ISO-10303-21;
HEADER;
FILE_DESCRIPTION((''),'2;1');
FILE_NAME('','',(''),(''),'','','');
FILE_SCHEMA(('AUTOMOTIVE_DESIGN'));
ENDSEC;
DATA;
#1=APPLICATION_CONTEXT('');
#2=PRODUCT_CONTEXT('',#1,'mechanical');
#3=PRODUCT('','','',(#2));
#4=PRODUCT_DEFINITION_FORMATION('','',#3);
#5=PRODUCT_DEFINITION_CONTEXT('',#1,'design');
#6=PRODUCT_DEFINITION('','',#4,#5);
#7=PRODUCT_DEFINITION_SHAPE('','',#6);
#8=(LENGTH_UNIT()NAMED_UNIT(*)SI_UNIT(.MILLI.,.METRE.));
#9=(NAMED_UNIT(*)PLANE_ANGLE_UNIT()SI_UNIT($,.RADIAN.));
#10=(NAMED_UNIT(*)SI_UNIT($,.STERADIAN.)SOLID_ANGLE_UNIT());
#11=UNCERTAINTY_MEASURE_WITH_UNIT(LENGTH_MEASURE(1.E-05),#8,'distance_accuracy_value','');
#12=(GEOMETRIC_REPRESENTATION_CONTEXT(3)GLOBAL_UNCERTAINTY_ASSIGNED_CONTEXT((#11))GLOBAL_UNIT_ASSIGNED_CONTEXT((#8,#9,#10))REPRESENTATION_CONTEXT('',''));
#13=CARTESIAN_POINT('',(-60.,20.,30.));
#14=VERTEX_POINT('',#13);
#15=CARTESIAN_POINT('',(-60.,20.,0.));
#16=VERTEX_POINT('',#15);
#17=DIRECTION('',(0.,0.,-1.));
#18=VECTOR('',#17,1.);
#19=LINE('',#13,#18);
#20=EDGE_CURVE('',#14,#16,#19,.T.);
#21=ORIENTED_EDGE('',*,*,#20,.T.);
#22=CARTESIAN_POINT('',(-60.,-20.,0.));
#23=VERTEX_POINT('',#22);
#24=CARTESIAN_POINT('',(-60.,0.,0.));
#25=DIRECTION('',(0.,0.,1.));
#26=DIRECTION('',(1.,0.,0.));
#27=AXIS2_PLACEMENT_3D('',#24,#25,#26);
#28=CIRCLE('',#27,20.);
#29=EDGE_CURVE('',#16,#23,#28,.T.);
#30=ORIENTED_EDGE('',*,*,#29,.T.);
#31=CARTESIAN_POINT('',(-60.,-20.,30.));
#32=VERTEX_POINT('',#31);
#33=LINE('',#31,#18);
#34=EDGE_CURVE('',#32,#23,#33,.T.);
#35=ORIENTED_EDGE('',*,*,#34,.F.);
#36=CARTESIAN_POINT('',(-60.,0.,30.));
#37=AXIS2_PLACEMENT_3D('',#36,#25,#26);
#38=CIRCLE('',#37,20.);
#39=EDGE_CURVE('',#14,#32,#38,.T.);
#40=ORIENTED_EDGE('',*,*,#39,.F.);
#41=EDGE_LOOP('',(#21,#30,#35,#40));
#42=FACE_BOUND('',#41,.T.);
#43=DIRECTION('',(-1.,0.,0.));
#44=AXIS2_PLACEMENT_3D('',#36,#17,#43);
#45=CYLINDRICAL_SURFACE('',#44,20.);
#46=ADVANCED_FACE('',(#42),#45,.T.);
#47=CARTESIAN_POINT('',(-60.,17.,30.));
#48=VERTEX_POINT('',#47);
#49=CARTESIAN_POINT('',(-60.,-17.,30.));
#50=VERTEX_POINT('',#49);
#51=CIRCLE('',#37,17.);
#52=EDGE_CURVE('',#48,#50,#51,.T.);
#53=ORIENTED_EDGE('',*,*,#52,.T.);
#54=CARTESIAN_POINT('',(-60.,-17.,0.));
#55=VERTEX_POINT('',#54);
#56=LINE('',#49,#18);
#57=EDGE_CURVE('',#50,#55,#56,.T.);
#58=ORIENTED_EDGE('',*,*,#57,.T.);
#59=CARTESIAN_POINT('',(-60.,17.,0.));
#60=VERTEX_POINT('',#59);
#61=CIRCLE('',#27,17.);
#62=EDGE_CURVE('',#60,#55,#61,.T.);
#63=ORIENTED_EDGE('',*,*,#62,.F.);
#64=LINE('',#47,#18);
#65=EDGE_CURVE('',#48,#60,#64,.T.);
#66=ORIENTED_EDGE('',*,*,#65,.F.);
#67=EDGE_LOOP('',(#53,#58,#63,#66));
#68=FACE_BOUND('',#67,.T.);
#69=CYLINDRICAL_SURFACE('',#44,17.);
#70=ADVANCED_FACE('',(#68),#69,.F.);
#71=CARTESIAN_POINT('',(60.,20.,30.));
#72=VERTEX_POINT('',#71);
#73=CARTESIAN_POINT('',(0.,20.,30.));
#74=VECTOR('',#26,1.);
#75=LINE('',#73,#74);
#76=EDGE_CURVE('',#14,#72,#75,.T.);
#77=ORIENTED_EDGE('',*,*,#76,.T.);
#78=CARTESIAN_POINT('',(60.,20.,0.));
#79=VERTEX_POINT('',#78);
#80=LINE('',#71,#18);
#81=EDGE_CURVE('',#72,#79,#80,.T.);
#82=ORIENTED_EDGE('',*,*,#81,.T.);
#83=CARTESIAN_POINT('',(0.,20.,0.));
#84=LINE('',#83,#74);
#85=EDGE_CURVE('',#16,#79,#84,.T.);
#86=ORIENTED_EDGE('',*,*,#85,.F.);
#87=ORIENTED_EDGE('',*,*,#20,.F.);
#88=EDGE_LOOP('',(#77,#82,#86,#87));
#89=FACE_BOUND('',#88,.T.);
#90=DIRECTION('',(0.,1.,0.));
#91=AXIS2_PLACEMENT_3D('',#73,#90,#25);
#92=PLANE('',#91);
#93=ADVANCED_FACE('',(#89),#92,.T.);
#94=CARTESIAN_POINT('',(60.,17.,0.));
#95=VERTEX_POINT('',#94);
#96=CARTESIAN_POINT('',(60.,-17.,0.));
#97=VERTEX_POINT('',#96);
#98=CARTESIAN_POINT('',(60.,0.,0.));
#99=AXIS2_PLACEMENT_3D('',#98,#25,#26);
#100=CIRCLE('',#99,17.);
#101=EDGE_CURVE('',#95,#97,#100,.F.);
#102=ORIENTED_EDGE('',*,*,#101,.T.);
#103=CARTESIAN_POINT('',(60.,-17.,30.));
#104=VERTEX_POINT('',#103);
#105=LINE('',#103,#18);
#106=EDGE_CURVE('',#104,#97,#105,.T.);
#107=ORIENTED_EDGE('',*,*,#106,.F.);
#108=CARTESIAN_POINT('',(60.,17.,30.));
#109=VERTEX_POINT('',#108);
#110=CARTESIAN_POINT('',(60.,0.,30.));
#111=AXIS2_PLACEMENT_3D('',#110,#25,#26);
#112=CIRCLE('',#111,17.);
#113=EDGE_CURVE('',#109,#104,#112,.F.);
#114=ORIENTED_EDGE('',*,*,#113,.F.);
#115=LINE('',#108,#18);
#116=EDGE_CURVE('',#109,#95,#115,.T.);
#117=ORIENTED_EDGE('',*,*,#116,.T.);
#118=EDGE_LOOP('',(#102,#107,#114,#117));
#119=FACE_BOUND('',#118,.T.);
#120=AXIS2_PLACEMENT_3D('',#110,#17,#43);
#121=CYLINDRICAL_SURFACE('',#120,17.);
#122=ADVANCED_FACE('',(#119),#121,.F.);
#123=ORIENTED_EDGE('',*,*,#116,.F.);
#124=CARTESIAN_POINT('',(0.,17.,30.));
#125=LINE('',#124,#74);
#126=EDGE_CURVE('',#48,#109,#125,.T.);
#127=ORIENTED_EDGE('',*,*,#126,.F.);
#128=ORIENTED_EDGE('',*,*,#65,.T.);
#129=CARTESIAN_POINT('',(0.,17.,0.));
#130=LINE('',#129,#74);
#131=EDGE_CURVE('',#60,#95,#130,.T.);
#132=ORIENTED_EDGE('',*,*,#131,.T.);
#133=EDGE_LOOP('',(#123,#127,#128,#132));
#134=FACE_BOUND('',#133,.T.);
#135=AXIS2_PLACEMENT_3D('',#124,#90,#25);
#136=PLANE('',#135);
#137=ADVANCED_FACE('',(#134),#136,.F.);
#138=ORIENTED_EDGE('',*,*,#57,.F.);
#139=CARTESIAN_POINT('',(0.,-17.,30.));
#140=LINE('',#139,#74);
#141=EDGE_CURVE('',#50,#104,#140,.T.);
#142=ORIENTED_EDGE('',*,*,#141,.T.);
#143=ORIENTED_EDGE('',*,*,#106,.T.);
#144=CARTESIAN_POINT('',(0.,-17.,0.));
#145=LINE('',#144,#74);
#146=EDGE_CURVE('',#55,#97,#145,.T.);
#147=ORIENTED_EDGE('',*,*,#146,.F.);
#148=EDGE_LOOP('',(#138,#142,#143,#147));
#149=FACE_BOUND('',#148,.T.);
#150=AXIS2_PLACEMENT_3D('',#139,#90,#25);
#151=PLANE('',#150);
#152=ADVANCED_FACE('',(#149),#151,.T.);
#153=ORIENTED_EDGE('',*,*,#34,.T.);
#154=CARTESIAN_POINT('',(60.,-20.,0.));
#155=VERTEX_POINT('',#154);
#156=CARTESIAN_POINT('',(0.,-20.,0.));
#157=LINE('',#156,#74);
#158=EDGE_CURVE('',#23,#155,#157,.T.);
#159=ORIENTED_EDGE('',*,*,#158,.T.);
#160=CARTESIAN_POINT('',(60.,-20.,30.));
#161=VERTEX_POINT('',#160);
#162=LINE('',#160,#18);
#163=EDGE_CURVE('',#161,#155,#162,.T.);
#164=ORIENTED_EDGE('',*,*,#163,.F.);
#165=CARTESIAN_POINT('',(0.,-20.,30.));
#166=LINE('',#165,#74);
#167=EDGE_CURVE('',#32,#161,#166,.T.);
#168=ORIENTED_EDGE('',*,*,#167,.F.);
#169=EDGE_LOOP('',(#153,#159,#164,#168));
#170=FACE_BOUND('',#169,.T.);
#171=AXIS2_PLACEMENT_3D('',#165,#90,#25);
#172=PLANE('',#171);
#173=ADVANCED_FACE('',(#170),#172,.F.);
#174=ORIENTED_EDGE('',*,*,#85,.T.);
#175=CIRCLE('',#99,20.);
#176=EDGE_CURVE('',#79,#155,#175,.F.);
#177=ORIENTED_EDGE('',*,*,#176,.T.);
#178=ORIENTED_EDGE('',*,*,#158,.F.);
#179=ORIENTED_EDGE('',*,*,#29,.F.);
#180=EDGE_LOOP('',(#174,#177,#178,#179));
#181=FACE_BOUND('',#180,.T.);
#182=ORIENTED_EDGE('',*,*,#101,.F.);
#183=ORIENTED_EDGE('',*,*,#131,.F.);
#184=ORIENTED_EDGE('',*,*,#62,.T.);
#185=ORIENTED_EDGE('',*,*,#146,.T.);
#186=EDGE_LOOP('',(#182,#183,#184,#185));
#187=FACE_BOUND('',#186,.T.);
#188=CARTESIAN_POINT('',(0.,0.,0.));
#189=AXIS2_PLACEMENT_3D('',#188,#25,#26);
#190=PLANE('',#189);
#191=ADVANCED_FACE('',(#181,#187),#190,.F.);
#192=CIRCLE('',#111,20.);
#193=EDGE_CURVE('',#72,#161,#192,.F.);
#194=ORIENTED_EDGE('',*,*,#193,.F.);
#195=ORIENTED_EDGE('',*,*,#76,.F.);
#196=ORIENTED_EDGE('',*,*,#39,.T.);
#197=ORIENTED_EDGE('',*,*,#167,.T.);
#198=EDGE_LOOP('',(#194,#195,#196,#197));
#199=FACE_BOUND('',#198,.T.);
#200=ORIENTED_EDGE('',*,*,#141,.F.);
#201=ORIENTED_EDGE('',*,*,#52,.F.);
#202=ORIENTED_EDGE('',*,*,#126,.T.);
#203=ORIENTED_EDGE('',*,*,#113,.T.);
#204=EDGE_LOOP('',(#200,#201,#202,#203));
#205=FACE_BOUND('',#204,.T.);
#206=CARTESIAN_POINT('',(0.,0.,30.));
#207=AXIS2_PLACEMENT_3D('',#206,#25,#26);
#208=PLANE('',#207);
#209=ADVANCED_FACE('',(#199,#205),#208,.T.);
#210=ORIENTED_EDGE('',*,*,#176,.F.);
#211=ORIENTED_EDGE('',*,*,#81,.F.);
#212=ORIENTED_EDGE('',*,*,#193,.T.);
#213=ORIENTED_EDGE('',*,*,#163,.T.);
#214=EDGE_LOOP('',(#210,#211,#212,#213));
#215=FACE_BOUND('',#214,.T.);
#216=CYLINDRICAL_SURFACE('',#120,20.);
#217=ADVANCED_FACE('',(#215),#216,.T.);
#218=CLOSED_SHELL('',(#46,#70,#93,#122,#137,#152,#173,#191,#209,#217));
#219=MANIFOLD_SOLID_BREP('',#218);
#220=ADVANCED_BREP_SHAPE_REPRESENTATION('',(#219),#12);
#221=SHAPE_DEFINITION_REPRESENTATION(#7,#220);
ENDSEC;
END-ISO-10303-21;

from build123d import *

# Parameters (mm, degrees)
BOSS_EXTRUDE1_DEPTH = 30


with BuildPart() as part:
    # Sketch1 → Boss-Extrude1 (new body)
    with BuildSketch(Plane.XY):
        with BuildLine():
            ThreePointArc((60, -20), (80, 0), (60, 20))
            Line((60, 20), (-60, 20))
            ThreePointArc((-60, 20), (-80, 0), (-60, -20))
            Line((-60, -20), (60, -20))
        make_face()
        with BuildLine():
            Line((-60, 17), (60, 17))
            ThreePointArc((60, 17), (77, 0), (60, -17))
            Line((60, -17), (-60, -17))
            ThreePointArc((-60, -17), (-77, 0), (-60, 17))
        make_face(mode=Mode.SUBTRACT)
    extrude(amount=BOSS_EXTRUDE1_DEPTH)


solid = part.part
